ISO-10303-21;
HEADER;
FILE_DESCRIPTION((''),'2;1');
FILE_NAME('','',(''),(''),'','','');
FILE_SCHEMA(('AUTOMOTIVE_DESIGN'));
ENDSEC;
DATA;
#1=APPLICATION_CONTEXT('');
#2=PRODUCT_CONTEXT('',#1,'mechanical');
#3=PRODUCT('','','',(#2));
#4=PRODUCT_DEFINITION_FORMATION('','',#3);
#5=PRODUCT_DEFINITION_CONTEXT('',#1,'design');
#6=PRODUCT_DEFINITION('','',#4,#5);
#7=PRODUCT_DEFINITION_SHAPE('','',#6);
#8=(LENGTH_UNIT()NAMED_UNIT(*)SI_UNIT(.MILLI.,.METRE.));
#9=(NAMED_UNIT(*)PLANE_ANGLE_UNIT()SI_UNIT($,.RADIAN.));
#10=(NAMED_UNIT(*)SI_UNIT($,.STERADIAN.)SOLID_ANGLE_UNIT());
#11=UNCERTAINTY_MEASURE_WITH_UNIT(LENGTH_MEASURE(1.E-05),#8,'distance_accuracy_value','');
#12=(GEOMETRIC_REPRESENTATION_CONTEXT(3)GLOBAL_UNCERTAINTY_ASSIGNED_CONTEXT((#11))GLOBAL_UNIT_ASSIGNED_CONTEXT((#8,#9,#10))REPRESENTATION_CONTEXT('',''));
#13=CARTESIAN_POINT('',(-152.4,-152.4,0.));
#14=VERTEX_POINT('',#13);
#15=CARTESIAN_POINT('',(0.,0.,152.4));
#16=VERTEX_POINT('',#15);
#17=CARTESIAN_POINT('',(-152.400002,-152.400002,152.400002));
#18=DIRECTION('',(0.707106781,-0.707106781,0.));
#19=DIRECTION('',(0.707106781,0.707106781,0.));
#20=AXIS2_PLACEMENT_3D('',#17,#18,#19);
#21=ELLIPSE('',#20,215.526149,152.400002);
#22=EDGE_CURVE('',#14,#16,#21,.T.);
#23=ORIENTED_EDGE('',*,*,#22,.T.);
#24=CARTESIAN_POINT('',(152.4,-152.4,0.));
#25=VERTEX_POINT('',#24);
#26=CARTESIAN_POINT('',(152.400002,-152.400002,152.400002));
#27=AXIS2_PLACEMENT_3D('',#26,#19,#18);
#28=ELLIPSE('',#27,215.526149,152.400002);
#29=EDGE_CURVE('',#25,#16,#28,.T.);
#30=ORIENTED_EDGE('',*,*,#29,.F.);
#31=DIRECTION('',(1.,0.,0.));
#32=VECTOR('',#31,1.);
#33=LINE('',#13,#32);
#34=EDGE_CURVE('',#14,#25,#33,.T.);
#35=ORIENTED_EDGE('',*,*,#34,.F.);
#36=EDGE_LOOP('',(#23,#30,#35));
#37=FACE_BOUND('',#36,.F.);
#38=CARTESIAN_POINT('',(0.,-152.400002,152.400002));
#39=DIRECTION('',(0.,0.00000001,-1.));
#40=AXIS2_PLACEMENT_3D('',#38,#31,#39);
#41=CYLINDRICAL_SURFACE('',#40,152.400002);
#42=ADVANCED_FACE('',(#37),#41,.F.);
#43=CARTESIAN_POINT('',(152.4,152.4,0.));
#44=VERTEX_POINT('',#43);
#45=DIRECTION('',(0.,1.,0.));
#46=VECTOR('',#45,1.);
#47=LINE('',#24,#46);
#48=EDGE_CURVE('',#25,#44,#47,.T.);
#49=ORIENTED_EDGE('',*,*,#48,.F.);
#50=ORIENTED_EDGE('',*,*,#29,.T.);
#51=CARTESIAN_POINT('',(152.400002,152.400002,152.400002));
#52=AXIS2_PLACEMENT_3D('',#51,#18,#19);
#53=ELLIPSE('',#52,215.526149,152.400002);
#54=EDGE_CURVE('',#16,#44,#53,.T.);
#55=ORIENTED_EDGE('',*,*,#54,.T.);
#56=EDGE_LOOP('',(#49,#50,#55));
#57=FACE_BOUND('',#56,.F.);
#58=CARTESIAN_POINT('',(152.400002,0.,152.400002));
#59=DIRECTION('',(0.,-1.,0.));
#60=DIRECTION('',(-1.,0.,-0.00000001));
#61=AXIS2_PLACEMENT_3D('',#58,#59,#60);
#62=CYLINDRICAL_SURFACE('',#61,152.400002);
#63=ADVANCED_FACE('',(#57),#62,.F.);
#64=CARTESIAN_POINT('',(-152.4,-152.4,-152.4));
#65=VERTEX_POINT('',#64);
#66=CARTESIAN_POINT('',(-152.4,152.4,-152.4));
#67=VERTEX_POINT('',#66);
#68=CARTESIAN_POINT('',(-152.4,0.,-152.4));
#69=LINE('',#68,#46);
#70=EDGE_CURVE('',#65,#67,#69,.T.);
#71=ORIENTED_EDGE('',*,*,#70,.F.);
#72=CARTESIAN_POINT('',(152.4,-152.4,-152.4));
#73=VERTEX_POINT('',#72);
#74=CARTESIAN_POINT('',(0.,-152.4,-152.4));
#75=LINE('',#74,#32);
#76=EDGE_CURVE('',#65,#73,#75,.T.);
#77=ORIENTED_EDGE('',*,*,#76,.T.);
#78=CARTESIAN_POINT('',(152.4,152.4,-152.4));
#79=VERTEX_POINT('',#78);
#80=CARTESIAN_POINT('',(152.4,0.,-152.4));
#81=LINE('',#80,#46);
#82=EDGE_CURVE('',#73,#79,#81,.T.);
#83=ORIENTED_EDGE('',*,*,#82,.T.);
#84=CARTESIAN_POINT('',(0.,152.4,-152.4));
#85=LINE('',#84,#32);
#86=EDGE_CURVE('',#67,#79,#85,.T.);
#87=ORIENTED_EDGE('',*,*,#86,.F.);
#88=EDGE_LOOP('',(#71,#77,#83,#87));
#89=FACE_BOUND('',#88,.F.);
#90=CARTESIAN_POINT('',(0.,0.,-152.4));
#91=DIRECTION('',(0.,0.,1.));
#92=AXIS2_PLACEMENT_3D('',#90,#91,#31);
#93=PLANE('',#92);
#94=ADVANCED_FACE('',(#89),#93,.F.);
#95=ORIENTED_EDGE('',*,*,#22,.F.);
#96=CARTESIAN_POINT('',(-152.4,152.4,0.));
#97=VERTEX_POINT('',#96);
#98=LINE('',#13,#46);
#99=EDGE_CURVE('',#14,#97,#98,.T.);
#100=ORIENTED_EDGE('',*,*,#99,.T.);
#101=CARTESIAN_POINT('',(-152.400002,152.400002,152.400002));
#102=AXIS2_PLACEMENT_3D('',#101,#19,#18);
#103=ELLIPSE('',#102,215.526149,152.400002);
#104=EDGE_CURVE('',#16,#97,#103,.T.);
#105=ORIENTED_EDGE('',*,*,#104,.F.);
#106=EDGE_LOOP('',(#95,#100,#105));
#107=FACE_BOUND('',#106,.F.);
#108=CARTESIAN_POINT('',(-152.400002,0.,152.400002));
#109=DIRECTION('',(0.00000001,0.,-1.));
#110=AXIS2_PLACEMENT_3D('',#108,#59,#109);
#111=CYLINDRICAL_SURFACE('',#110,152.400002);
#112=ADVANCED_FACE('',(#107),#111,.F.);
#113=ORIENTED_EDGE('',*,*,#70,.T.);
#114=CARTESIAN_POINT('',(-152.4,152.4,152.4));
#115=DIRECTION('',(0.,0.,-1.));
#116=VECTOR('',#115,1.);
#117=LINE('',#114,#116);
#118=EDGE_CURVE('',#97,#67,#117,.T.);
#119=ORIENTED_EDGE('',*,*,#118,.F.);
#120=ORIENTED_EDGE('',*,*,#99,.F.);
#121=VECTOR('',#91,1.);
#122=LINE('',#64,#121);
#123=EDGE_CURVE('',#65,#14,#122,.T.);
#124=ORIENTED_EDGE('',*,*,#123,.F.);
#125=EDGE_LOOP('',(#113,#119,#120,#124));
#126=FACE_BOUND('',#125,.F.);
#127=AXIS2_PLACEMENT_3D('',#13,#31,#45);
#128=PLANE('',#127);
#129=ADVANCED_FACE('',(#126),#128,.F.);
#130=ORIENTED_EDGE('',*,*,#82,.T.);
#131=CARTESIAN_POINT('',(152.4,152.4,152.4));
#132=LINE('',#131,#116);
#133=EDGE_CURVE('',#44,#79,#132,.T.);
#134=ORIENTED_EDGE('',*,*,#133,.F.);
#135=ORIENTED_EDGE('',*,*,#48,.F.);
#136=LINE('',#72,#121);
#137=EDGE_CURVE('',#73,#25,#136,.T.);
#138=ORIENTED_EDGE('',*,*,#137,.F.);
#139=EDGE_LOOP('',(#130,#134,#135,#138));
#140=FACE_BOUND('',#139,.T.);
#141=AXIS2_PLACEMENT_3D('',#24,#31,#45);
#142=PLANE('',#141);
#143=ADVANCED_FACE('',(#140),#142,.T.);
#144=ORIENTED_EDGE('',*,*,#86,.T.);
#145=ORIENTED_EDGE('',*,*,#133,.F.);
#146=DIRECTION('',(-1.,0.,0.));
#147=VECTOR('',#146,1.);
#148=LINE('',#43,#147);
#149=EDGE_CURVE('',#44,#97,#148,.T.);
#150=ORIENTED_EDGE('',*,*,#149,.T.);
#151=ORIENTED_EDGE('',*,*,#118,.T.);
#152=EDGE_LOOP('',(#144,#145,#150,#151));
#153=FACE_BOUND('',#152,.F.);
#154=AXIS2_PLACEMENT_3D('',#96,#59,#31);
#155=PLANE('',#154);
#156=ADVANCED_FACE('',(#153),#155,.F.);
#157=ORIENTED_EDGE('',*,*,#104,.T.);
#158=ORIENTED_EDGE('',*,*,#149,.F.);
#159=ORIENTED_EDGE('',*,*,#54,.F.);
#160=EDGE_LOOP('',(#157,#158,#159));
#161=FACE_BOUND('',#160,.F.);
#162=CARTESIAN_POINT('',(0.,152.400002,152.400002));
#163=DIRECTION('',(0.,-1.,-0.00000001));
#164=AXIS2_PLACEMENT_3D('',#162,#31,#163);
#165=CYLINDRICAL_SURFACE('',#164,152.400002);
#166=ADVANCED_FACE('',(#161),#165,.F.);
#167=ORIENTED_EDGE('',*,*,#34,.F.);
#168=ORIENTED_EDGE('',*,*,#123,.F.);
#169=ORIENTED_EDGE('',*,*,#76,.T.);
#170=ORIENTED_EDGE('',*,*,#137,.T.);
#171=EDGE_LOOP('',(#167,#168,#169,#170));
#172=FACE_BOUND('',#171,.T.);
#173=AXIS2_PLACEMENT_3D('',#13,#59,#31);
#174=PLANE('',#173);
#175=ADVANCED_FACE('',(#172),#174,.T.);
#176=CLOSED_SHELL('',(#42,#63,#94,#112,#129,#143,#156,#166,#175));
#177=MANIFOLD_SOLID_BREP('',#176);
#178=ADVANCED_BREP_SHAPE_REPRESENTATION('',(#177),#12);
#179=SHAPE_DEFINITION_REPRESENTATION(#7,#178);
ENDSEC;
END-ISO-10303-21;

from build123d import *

# Parameters (mm, degrees)
F0_W     = 304.8
F0_H     = 304.8
F1_DEPTH = 152.4
F3_DEPTH = 152.4
F5_DEPTH = 152.4


with BuildPart() as f1:
    # F0 (on Top) → F1 (new body, symmetric)
    with BuildSketch(Plane.XY):
        Rectangle(F0_W, F0_H)
    extrude(amount=F1_DEPTH, both=True)

    # F2 (on Right) → F3 (cut, symmetric)
    with BuildSketch(Plane.YZ):
        with BuildLine():
            Line((-152.4, 152.4), (0, 152.4))
            ThreePointArc((0, 152.4), (-260.163073, 260.163073), (-152.4, 0))
            Line((-152.4, 0), (-152.4, 152.4))
        make_face()
        with BuildLine():
            ThreePointArc((-152.4, 0), (-44.636927, 44.636927), (0, 152.4))
            Line((0, 152.4), (-152.4, 152.4))
            Line((-152.4, 152.4), (-152.4, 0))
        make_face()
        with BuildLine():
            Line((152.4, 152.4), (0, 152.4))
            ThreePointArc((0, 152.4), (44.636927, 44.636927), (152.4, 0))
            Line((152.4, 0), (152.4, 152.4))
        make_face()
    extrude(amount=F3_DEPTH, both=True, mode=Mode.SUBTRACT)

    # F4 (on Front) → F5 (cut, symmetric)
    with BuildSketch(Plane.XZ):
        with BuildLine():
            Line((152.4, 152.4), (0, 152.4))
            ThreePointArc((0, 152.4), (44.636927, 44.636927), (152.4, 0))
            Line((152.4, 0), (152.4, 152.4))
        make_face()
        with BuildLine():
            ThreePointArc((-152.4, 0), (-44.636927, 44.636927), (0, 152.4))
            Line((0, 152.4), (-152.4, 152.4))
            Line((-152.4, 152.4), (-152.4, 0))
        make_face()
    extrude(amount=F5_DEPTH, both=True, mode=Mode.SUBTRACT)


solid = f1.part
